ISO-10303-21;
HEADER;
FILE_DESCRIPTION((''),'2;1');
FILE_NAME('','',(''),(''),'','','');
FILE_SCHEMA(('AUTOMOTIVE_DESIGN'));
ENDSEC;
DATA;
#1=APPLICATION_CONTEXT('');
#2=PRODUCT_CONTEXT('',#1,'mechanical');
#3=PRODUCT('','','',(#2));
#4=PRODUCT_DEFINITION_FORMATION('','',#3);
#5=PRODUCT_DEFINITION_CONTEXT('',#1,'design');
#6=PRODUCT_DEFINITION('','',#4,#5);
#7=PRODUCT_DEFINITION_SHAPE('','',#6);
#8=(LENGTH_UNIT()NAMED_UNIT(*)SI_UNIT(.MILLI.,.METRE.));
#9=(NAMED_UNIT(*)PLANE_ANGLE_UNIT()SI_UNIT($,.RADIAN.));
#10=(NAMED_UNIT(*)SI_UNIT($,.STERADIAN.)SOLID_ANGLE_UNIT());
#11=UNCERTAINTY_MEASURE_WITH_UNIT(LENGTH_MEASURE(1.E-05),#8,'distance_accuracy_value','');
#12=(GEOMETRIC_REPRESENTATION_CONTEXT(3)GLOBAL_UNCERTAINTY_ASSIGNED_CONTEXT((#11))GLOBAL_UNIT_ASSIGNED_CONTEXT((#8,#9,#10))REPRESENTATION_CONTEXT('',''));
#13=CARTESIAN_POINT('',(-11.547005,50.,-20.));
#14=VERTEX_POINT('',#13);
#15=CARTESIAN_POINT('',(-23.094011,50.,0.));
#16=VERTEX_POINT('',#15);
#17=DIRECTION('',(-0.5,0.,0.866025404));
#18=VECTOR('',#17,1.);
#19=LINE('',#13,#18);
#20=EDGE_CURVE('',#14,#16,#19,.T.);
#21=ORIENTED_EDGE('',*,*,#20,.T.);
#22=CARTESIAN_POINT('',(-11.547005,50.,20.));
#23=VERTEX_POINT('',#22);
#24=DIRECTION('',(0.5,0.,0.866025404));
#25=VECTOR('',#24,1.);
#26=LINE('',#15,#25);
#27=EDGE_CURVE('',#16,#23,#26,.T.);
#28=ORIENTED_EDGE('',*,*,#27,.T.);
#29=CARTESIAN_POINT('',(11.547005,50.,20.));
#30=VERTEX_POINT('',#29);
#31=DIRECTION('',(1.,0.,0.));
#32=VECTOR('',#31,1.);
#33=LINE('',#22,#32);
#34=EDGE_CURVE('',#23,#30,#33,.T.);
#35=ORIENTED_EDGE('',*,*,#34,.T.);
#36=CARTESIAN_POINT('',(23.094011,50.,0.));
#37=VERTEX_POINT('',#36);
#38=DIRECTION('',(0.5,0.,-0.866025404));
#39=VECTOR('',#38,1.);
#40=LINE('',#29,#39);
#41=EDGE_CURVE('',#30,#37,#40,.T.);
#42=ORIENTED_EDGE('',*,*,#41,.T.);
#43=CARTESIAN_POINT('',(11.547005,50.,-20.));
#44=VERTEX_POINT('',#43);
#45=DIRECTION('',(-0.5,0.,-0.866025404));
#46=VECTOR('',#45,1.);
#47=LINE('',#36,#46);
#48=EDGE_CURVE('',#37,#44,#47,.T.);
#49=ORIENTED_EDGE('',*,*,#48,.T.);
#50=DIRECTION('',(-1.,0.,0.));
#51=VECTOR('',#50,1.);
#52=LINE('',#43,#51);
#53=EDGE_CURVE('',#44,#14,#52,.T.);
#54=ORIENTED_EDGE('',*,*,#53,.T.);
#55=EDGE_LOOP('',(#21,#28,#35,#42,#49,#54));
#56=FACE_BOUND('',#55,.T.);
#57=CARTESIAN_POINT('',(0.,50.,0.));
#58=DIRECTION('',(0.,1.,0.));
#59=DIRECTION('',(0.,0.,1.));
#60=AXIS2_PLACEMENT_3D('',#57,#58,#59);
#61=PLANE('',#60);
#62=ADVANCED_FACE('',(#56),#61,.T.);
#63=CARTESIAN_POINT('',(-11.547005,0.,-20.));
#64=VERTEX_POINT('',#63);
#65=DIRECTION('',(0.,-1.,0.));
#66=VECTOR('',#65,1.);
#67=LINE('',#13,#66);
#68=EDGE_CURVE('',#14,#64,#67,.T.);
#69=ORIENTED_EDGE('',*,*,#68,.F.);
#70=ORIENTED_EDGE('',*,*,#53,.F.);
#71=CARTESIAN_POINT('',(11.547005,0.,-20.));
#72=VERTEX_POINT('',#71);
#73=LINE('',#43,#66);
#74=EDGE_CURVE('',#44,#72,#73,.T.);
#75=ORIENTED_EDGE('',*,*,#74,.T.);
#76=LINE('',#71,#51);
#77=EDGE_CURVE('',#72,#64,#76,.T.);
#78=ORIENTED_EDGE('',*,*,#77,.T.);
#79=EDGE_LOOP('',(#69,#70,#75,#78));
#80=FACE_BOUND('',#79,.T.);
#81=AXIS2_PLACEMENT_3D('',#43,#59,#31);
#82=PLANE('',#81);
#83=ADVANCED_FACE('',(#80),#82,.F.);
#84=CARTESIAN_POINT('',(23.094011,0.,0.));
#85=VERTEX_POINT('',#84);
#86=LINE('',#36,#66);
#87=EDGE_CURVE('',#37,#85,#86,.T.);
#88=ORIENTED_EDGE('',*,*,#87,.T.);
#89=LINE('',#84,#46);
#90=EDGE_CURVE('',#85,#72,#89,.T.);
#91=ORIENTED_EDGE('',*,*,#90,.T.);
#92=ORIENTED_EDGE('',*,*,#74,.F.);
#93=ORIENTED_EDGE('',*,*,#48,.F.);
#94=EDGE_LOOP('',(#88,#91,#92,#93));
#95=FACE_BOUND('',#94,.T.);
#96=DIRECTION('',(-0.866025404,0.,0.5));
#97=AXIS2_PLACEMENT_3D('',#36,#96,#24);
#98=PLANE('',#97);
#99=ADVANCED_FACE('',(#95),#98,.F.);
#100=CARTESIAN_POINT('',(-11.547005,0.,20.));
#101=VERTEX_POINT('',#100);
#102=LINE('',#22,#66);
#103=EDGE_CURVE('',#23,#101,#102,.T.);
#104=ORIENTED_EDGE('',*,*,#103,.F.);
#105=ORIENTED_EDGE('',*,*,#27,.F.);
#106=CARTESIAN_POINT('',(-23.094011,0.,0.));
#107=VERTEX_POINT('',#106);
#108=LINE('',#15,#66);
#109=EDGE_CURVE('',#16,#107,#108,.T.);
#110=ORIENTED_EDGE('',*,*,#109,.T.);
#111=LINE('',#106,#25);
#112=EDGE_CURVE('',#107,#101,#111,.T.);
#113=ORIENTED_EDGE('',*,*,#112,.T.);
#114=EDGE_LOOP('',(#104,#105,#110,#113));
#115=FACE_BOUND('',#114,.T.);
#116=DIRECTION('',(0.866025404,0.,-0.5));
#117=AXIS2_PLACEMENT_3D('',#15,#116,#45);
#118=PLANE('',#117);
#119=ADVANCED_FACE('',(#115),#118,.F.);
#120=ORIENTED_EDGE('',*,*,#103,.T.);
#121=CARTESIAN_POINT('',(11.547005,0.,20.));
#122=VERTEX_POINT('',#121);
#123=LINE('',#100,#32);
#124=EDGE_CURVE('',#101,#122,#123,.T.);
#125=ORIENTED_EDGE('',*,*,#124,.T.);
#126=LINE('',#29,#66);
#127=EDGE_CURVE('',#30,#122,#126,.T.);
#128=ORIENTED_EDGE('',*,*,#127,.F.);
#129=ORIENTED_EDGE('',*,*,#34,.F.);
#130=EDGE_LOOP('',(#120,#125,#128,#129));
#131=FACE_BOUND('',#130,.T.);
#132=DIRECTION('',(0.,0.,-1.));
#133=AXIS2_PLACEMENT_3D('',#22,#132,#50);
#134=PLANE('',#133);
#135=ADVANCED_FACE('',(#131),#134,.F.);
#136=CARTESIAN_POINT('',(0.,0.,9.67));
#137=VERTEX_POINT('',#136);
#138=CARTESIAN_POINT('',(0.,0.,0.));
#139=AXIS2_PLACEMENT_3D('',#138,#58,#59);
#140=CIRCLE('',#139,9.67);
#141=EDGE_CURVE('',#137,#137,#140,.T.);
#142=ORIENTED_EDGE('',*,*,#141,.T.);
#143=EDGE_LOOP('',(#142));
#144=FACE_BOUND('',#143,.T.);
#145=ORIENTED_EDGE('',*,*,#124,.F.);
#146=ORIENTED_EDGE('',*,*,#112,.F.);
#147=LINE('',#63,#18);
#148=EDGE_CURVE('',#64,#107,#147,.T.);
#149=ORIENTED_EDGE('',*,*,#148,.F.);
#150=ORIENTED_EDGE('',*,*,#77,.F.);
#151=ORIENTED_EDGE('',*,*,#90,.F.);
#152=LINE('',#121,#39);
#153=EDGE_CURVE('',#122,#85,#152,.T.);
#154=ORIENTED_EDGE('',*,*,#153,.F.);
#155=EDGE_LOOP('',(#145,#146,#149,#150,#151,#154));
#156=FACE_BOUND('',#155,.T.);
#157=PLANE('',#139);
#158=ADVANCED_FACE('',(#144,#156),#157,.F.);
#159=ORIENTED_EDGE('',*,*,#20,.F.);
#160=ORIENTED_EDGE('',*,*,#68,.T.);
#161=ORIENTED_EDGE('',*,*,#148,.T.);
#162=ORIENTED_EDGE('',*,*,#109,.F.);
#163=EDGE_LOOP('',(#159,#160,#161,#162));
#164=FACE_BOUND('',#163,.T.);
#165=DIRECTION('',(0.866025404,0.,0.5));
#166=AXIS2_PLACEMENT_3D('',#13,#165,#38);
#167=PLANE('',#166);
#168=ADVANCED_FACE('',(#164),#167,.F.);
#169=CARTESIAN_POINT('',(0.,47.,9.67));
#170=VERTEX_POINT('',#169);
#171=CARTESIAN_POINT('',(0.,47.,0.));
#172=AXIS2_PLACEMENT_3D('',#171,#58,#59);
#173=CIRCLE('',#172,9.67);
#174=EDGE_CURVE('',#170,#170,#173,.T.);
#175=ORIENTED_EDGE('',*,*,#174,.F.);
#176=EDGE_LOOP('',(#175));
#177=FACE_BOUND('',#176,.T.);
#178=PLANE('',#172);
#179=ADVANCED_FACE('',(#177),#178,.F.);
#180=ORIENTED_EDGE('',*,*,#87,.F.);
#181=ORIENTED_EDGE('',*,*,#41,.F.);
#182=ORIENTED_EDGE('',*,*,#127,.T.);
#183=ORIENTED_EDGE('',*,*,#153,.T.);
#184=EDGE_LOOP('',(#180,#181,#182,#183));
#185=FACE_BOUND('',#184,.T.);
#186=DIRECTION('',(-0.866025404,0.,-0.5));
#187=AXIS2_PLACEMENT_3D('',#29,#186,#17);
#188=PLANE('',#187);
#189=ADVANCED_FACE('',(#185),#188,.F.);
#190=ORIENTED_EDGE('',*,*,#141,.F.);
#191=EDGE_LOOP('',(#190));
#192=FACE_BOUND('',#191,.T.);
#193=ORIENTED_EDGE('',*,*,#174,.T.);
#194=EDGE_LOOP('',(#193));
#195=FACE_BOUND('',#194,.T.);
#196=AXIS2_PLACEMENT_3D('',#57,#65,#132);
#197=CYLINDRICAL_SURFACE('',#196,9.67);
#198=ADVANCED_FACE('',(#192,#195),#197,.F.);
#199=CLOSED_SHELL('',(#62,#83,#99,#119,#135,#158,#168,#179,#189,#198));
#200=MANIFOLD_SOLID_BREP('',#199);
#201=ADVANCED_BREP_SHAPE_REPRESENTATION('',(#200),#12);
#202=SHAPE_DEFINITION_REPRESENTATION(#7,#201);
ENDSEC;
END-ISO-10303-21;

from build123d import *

# Parameters (mm, degrees)
SKETCH1_R           = 9.67
BOSS_EXTRUDE1_DEPTH = 50
BOSS_EXTRUDE2_START = -3
SKETCH2_R           = 9.67
BOSS_EXTRUDE2_DEPTH = 3


with BuildPart() as part:
    # Sketch1 → Boss-Extrude1 (new body)
    with BuildSketch(Plane(origin=(0, 0, 0), x_dir=(1, 0, 0), z_dir=(0, 1, 0))):
        Polygon((23.094010768, 0), (11.547005384, 20), (-11.547005384, 20), (-23.094010768, 0), (-11.547005384, -20), (11.547005384, -20), align=None)
        with Locations(Location((0, 0, 0), (0, 0, 270))):
            Circle(SKETCH1_R, mode=Mode.SUBTRACT)
    extrude(amount=BOSS_EXTRUDE1_DEPTH)

    # Sketch2 → Boss-Extrude2 (add)
    with BuildSketch(Plane(origin=(0, 50, 0), x_dir=(1, 0, 0), z_dir=(0, 1, 0)).offset(BOSS_EXTRUDE2_START)):
        with Locations(Location((0, 0, 0), (0, 0, 270))):
            Circle(SKETCH2_R)
    extrude(amount=BOSS_EXTRUDE2_DEPTH)


solid = part.part
